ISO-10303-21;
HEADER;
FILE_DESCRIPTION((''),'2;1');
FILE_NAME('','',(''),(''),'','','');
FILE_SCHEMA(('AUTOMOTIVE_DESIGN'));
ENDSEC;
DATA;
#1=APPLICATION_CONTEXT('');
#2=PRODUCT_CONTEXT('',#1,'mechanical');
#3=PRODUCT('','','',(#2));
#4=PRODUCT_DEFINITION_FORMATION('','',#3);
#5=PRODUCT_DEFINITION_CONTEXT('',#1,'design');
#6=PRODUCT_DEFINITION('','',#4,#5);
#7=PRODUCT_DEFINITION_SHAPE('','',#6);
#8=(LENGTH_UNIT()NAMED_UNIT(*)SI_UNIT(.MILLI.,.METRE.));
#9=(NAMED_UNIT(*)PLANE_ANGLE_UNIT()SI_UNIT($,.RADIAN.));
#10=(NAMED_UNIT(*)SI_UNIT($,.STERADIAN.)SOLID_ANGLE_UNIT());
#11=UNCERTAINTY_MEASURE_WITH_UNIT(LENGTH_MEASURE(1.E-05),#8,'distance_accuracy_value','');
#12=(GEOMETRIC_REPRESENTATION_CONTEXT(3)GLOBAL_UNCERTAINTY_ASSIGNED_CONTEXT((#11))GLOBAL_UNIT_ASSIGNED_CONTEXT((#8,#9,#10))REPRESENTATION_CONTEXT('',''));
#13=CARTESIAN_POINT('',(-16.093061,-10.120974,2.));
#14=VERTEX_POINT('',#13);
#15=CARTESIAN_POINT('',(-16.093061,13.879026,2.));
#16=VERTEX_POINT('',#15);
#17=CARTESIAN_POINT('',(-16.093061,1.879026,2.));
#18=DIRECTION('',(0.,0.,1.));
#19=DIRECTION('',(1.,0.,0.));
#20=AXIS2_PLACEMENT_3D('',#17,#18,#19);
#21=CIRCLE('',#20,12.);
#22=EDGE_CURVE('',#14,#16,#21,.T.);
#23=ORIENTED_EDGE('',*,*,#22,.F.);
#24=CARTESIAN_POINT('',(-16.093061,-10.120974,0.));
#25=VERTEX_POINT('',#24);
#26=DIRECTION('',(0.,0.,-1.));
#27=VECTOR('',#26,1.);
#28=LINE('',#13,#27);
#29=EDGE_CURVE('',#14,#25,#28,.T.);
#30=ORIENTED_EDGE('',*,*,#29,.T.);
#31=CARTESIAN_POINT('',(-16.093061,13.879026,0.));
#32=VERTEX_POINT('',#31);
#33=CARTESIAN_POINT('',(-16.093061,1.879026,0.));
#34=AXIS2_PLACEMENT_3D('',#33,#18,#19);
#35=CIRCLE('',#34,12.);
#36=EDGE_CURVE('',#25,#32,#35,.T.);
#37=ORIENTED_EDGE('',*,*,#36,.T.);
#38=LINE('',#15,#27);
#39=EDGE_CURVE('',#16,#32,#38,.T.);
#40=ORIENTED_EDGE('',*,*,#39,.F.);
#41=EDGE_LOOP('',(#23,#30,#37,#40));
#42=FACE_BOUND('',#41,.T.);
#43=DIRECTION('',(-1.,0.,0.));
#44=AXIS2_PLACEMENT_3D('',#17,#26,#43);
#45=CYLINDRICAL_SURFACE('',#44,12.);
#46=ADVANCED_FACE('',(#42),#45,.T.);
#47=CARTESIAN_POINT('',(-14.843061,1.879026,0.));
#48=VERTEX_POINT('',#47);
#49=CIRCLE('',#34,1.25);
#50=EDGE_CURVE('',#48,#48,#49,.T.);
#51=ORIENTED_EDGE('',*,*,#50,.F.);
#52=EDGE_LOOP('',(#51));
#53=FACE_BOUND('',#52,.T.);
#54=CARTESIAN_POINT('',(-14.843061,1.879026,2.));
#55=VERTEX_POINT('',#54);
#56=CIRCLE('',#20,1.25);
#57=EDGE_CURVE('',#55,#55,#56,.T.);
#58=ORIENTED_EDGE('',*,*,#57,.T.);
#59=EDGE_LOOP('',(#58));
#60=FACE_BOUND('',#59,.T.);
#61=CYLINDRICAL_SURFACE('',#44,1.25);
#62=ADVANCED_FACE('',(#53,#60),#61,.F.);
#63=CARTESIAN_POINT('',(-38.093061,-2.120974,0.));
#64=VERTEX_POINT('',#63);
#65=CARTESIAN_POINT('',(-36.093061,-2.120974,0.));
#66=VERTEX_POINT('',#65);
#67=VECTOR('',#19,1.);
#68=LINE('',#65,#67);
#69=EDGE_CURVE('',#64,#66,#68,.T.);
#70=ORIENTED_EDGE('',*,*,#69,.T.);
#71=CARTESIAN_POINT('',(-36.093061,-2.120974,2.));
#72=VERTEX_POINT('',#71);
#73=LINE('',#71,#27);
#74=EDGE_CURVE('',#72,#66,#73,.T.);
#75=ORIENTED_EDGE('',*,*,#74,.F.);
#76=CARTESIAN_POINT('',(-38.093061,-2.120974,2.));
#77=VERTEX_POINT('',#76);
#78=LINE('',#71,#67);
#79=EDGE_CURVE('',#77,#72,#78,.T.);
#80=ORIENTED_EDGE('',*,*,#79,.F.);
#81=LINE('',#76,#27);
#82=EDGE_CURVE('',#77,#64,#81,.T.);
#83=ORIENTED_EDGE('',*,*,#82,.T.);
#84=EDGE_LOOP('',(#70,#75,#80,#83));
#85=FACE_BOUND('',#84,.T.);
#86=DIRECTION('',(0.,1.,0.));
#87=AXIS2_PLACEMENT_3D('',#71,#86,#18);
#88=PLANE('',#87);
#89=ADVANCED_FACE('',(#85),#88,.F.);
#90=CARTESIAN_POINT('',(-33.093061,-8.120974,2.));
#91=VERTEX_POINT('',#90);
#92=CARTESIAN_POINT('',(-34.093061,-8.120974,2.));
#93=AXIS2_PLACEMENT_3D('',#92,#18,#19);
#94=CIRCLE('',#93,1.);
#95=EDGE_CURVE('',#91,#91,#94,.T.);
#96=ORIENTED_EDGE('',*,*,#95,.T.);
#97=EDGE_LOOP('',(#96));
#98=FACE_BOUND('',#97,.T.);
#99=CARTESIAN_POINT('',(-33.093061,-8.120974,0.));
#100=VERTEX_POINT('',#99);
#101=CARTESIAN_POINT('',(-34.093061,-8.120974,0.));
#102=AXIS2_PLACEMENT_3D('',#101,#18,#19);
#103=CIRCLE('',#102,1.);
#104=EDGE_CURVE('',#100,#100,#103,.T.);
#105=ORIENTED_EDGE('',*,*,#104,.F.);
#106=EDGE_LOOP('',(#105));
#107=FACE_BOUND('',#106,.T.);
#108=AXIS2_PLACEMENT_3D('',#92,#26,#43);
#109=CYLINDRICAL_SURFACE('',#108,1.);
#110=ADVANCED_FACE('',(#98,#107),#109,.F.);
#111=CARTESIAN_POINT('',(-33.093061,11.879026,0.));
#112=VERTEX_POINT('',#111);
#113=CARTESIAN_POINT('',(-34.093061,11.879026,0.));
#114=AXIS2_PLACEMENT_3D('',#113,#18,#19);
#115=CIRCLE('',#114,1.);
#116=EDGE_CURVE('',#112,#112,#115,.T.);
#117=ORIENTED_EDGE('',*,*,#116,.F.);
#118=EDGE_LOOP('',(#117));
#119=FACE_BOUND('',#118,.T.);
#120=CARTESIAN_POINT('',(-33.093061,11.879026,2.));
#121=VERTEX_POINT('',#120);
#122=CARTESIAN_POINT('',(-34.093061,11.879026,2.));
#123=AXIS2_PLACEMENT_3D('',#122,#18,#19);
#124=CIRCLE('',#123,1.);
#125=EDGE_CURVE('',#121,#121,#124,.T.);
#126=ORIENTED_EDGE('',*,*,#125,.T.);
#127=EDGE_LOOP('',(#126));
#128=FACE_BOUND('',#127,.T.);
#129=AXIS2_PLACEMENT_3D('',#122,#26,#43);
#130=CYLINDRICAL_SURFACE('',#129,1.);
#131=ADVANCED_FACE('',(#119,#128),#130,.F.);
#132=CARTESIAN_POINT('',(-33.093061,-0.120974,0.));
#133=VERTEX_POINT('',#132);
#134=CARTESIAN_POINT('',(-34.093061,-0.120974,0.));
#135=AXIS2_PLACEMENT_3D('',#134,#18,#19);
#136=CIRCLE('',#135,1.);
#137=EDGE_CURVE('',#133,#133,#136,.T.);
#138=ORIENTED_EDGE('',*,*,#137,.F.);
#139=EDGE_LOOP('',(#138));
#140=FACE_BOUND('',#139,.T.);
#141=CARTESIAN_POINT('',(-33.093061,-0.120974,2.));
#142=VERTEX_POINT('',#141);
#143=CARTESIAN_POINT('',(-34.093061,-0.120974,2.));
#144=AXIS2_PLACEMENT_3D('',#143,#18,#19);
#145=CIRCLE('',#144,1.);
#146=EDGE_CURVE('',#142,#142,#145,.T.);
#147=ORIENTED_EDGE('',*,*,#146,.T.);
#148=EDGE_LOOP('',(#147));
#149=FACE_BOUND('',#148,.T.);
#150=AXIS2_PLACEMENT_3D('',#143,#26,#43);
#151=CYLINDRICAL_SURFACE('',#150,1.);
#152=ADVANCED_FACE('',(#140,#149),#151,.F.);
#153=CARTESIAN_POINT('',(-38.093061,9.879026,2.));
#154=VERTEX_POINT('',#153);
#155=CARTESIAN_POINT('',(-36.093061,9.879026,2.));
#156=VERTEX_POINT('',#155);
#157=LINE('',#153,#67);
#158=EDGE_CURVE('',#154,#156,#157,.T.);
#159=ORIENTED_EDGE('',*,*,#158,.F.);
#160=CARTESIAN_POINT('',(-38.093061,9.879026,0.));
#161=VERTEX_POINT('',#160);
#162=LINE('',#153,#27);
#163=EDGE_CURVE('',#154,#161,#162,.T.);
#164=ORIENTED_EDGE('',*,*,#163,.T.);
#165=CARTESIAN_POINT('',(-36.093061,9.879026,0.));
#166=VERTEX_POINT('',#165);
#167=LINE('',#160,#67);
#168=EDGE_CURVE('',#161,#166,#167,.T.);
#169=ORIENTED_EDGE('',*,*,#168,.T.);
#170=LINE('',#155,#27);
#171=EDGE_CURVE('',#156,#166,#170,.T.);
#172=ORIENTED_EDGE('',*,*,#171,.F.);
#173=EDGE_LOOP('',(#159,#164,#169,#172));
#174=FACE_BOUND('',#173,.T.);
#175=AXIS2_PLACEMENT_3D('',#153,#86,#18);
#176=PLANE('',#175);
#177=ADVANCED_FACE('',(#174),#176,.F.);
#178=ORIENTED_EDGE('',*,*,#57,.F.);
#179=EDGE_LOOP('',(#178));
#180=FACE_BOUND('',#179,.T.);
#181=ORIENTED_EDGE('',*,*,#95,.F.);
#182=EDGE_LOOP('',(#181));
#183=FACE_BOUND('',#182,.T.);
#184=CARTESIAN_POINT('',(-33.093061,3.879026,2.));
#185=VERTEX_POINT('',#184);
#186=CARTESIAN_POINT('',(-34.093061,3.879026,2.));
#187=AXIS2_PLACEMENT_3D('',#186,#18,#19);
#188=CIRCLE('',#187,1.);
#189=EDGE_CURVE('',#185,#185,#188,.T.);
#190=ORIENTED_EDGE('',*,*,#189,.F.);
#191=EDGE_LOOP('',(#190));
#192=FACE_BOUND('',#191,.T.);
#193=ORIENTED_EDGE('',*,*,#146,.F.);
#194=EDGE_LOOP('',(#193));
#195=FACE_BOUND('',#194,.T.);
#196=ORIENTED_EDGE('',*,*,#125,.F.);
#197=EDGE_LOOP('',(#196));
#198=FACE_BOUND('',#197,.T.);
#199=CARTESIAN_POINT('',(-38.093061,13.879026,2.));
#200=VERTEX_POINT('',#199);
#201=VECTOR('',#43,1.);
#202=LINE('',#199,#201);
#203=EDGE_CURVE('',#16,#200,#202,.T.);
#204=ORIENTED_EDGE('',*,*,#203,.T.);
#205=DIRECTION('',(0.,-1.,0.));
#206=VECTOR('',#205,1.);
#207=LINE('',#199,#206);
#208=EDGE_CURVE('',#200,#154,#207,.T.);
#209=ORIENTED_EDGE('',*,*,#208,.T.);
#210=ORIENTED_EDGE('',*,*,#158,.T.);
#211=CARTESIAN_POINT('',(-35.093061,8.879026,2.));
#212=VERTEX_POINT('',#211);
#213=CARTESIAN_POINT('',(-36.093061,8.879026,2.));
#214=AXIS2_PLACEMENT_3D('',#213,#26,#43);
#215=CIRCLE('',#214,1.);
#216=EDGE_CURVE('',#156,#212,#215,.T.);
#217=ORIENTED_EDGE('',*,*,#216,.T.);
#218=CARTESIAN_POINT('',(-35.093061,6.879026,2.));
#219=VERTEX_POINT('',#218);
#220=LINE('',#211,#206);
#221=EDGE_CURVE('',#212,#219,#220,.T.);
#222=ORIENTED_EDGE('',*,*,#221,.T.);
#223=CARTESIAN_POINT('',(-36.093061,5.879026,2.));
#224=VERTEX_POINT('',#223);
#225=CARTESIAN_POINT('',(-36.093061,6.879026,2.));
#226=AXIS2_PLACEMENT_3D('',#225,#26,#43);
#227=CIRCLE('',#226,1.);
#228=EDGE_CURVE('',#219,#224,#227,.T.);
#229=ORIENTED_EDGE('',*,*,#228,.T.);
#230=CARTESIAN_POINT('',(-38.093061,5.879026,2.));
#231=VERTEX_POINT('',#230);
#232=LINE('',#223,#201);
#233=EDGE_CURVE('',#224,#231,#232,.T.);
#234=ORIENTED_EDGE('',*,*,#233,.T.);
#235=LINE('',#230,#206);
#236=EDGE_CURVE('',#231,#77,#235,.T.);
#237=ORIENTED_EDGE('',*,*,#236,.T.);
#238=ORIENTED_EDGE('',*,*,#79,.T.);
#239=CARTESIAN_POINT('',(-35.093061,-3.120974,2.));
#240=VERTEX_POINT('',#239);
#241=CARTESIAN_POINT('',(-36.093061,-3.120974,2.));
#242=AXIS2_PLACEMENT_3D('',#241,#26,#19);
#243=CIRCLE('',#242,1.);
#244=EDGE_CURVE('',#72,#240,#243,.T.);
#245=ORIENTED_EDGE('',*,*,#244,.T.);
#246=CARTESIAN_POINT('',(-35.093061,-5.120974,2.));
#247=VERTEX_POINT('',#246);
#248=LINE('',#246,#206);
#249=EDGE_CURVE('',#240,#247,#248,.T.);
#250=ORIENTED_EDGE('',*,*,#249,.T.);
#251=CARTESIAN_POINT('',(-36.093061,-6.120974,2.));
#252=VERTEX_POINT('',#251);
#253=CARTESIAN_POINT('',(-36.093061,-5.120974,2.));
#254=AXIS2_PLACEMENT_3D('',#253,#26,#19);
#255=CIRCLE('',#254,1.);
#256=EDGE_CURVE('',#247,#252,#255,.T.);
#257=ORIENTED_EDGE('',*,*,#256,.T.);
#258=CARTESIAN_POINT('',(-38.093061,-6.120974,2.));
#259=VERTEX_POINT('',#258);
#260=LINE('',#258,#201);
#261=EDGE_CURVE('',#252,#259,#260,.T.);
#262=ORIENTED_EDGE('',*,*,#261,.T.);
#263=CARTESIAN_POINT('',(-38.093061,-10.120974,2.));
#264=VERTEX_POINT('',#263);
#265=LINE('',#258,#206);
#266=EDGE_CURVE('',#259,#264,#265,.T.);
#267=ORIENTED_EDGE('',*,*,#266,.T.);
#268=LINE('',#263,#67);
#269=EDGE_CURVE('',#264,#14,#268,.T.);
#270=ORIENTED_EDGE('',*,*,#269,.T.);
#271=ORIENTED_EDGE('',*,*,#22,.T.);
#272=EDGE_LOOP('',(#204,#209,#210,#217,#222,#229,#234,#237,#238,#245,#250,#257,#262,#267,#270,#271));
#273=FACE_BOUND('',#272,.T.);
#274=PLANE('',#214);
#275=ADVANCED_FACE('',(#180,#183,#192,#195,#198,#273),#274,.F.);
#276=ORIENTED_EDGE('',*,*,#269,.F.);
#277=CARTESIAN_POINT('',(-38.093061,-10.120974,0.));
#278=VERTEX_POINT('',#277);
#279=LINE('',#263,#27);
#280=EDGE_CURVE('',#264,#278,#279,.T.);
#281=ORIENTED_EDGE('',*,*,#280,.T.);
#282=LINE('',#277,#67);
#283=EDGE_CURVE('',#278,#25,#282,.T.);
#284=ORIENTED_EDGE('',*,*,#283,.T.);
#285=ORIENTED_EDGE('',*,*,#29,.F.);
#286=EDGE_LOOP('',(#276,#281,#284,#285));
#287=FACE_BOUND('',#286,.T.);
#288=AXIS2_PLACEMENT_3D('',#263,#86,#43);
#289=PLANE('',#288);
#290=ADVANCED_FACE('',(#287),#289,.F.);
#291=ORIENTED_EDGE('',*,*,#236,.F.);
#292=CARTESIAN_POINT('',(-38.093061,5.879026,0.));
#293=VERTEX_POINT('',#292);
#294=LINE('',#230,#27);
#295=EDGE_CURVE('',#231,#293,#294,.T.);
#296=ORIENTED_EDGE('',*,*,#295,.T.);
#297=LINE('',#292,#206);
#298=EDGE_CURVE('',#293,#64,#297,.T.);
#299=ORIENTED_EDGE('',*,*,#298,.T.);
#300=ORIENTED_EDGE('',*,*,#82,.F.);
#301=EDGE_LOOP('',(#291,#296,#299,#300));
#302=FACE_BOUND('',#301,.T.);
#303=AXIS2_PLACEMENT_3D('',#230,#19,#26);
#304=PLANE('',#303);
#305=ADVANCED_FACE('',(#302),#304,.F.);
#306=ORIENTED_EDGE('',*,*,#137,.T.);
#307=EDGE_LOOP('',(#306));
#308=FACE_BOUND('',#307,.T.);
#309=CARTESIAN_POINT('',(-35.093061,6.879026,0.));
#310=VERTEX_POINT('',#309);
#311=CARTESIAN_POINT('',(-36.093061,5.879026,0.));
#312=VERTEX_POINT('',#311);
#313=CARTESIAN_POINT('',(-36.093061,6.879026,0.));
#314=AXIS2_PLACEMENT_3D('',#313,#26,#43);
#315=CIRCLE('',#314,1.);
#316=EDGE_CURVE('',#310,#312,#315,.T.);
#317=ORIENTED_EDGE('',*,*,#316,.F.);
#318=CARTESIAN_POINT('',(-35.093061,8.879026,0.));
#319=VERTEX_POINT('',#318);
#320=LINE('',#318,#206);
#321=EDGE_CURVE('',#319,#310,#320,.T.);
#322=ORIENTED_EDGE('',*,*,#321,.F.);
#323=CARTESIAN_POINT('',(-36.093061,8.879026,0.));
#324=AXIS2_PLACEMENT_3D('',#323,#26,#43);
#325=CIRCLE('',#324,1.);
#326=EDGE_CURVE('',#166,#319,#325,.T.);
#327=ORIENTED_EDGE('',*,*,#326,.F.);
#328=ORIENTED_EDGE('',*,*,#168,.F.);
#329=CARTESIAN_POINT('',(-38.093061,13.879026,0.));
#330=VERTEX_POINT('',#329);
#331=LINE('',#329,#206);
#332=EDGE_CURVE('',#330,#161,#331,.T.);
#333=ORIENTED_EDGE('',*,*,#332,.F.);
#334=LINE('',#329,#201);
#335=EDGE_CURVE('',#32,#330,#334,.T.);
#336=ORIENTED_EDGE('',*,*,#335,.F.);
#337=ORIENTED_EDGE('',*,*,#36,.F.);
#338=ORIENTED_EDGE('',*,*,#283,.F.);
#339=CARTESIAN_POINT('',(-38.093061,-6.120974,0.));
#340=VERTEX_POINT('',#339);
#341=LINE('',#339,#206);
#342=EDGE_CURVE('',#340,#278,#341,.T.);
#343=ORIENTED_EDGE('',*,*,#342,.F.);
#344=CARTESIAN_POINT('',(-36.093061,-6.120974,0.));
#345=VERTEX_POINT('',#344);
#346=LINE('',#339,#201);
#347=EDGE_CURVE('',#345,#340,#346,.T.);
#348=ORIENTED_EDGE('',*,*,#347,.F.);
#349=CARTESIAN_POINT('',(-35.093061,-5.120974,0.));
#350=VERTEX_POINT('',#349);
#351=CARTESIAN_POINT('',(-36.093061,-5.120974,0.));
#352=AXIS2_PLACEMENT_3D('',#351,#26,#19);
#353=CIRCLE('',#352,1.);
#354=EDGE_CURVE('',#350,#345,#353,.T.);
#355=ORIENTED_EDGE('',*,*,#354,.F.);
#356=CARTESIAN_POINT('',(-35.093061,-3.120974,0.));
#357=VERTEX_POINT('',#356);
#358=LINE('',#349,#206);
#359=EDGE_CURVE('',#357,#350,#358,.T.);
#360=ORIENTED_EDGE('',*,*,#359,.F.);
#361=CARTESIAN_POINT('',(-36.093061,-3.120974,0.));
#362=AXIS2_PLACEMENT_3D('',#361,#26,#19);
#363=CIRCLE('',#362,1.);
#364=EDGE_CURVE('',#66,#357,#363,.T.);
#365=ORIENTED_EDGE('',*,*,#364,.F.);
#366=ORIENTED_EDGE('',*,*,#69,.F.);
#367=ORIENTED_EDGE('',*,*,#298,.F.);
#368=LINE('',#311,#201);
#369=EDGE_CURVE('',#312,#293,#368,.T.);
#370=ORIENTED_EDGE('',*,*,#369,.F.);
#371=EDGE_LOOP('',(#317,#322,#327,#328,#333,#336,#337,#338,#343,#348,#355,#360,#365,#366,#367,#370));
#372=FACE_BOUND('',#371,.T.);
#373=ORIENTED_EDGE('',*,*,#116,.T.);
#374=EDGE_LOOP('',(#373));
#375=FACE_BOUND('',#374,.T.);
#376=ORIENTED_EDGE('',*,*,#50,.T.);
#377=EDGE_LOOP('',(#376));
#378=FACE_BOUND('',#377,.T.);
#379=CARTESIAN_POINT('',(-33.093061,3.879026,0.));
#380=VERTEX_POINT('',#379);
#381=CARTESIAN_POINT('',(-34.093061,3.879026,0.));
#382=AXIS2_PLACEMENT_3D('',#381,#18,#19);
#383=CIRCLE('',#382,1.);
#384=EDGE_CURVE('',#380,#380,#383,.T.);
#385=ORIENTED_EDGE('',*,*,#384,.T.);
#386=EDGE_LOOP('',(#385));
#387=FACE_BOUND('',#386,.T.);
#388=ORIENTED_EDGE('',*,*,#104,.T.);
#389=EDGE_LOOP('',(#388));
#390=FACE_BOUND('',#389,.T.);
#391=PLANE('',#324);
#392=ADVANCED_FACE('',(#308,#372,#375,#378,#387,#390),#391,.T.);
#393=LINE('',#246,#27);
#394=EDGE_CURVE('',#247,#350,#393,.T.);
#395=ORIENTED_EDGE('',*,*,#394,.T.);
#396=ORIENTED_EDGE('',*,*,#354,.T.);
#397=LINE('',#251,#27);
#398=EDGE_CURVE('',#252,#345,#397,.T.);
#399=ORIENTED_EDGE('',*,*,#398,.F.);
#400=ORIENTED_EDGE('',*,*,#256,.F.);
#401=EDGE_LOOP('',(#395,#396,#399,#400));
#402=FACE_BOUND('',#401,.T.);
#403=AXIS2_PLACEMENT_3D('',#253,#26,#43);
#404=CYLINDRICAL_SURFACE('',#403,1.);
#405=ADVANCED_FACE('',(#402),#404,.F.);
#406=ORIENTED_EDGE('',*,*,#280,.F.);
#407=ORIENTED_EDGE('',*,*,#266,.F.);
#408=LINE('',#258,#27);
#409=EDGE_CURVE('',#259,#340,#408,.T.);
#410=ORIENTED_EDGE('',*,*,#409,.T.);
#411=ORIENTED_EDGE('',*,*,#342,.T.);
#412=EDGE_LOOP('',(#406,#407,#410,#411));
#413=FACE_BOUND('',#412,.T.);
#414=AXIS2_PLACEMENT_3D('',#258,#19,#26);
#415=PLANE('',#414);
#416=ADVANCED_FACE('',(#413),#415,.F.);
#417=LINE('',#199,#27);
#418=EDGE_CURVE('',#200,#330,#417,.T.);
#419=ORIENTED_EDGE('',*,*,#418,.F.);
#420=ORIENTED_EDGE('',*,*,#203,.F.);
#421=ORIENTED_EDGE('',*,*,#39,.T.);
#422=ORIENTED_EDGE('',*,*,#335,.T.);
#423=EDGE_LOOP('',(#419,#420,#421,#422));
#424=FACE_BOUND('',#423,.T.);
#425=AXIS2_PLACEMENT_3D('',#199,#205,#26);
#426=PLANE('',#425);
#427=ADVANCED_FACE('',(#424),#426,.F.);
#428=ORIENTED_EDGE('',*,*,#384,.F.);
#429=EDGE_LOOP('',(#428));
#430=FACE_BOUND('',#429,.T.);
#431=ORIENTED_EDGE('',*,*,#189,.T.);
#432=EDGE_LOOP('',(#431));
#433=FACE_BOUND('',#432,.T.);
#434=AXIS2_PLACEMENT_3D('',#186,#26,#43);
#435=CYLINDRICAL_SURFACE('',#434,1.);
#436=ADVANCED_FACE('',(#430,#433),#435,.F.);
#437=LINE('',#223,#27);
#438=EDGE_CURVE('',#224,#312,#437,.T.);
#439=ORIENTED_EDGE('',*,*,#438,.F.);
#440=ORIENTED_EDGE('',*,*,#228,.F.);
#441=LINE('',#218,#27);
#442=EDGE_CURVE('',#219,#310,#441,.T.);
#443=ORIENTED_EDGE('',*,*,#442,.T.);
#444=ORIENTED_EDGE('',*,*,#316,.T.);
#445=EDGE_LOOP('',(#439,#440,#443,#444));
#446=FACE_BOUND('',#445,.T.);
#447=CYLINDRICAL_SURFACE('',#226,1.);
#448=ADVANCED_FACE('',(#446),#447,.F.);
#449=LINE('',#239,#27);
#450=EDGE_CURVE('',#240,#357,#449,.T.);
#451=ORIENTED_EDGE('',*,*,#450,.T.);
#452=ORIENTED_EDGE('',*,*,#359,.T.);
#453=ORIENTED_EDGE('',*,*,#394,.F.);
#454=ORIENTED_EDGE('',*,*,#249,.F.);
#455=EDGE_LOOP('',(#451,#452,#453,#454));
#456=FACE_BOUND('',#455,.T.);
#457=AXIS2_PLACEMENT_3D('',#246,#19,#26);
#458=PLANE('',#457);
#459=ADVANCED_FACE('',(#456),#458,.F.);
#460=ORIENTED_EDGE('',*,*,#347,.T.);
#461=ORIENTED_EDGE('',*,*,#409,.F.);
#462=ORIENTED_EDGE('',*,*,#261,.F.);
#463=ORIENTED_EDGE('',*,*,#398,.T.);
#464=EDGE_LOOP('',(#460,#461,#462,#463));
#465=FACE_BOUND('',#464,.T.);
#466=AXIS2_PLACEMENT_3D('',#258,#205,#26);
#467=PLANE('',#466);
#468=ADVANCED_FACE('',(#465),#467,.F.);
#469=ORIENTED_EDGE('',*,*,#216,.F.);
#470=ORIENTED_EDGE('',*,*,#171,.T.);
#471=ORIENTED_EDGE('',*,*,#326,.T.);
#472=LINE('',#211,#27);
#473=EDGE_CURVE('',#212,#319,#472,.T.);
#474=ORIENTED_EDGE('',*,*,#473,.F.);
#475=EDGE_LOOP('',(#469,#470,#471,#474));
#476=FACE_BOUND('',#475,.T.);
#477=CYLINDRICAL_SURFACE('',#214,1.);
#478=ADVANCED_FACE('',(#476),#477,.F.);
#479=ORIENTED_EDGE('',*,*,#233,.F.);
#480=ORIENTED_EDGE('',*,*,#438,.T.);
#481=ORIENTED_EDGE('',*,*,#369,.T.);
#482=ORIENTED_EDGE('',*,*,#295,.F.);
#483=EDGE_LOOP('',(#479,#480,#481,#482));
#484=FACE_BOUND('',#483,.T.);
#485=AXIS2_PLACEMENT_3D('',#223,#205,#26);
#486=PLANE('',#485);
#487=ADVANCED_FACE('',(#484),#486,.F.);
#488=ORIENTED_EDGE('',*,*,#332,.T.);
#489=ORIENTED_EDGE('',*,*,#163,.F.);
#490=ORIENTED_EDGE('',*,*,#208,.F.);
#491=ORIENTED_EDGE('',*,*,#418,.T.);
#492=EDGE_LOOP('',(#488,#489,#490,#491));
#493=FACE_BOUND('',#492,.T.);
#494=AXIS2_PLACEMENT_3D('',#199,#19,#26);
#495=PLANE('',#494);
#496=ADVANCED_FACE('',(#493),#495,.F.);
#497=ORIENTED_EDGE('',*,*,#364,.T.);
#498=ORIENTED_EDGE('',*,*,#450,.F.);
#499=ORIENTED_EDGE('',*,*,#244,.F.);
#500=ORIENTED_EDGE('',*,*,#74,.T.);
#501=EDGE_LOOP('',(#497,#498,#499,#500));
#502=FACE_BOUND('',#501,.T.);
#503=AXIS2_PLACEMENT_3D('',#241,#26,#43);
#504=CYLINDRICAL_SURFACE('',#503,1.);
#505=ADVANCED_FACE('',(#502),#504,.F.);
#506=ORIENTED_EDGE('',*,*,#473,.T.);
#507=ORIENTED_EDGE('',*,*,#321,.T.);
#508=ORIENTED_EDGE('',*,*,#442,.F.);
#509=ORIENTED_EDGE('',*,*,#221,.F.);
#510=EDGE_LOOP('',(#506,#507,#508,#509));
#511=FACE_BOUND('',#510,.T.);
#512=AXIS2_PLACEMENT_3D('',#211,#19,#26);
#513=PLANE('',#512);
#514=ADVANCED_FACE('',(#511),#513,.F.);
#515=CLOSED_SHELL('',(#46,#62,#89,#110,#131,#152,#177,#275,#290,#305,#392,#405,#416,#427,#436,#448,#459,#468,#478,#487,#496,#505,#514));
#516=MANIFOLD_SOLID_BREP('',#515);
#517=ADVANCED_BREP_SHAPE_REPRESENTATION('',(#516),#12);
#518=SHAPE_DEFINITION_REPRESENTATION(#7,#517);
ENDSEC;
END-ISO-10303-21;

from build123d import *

# Parameters (mm, degrees)
SKETCH_1_R      = 1.25
SKETCH_1_R_2    = 1
EXTRUDE_1_DEPTH = 2


with BuildPart() as part:
    # 草圖1 → 填料-伸長1 (new body)
    with BuildSketch(Plane.XY):
        with BuildLine():
            Line((-38.093061493, 13.879025542), (-16.093061493, 13.879025542))
            ThreePointArc((-16.093061493, 13.879025542), (-4.093061493, 1.879025542), (-16.093061493, -10.120974458))
            Line((-16.093061493, -10.120974458), (-38.093061493, -10.120974458))
            Line((-38.093061493, -10.120974458), (-38.093061493, -6.120974458))
            Line((-38.093061493, -6.120974458), (-36.093061493, -6.120974458))
            ThreePointArc((-36.093061493, -6.120974458), (-35.385954712, -5.828081239), (-35.093061493, -5.120974458))
            Line((-35.093061493, -5.120974458), (-35.093061493, -3.120974458))
            ThreePointArc((-35.093061493, -3.120974458), (-35.385954712, -2.413867677), (-36.093061493, -2.120974458))
            Line((-36.093061493, -2.120974458), (-38.093061493, -2.120974458))
            Line((-38.093061493, -2.120974458), (-38.093061493, 5.879025542))
            Line((-38.093061493, 5.879025542), (-36.093061493, 5.879025542))
            ThreePointArc((-36.093061493, 5.879025542), (-35.385954712, 6.171918761), (-35.093061493, 6.879025542))
            Line((-35.093061493, 6.879025542), (-35.093061493, 8.879025542))
            ThreePointArc((-35.093061493, 8.879025542), (-35.385954712, 9.586132323), (-36.093061493, 9.879025542))
            Line((-36.093061493, 9.879025542), (-38.093061493, 9.879025542))
            Line((-38.093061493, 9.879025542), (-38.093061493, 13.879025542))
        make_face()
        with Locations((-16.093061493, 1.879025542)):
            Circle(SKETCH_1_R, mode=Mode.SUBTRACT)
        with Locations((-34.093061493, 11.879025542)):
            Circle(SKETCH_1_R_2, mode=Mode.SUBTRACT)
        with Locations((-34.093061493, 3.879025542)):
            Circle(SKETCH_1_R_2, mode=Mode.SUBTRACT)
        with Locations((-34.093061493, -8.120974458)):
            Circle(SKETCH_1_R_2, mode=Mode.SUBTRACT)
        with Locations((-34.093061493, -0.120974458)):
            Circle(SKETCH_1_R_2, mode=Mode.SUBTRACT)
    extrude(amount=EXTRUDE_1_DEPTH)


solid = part.part
